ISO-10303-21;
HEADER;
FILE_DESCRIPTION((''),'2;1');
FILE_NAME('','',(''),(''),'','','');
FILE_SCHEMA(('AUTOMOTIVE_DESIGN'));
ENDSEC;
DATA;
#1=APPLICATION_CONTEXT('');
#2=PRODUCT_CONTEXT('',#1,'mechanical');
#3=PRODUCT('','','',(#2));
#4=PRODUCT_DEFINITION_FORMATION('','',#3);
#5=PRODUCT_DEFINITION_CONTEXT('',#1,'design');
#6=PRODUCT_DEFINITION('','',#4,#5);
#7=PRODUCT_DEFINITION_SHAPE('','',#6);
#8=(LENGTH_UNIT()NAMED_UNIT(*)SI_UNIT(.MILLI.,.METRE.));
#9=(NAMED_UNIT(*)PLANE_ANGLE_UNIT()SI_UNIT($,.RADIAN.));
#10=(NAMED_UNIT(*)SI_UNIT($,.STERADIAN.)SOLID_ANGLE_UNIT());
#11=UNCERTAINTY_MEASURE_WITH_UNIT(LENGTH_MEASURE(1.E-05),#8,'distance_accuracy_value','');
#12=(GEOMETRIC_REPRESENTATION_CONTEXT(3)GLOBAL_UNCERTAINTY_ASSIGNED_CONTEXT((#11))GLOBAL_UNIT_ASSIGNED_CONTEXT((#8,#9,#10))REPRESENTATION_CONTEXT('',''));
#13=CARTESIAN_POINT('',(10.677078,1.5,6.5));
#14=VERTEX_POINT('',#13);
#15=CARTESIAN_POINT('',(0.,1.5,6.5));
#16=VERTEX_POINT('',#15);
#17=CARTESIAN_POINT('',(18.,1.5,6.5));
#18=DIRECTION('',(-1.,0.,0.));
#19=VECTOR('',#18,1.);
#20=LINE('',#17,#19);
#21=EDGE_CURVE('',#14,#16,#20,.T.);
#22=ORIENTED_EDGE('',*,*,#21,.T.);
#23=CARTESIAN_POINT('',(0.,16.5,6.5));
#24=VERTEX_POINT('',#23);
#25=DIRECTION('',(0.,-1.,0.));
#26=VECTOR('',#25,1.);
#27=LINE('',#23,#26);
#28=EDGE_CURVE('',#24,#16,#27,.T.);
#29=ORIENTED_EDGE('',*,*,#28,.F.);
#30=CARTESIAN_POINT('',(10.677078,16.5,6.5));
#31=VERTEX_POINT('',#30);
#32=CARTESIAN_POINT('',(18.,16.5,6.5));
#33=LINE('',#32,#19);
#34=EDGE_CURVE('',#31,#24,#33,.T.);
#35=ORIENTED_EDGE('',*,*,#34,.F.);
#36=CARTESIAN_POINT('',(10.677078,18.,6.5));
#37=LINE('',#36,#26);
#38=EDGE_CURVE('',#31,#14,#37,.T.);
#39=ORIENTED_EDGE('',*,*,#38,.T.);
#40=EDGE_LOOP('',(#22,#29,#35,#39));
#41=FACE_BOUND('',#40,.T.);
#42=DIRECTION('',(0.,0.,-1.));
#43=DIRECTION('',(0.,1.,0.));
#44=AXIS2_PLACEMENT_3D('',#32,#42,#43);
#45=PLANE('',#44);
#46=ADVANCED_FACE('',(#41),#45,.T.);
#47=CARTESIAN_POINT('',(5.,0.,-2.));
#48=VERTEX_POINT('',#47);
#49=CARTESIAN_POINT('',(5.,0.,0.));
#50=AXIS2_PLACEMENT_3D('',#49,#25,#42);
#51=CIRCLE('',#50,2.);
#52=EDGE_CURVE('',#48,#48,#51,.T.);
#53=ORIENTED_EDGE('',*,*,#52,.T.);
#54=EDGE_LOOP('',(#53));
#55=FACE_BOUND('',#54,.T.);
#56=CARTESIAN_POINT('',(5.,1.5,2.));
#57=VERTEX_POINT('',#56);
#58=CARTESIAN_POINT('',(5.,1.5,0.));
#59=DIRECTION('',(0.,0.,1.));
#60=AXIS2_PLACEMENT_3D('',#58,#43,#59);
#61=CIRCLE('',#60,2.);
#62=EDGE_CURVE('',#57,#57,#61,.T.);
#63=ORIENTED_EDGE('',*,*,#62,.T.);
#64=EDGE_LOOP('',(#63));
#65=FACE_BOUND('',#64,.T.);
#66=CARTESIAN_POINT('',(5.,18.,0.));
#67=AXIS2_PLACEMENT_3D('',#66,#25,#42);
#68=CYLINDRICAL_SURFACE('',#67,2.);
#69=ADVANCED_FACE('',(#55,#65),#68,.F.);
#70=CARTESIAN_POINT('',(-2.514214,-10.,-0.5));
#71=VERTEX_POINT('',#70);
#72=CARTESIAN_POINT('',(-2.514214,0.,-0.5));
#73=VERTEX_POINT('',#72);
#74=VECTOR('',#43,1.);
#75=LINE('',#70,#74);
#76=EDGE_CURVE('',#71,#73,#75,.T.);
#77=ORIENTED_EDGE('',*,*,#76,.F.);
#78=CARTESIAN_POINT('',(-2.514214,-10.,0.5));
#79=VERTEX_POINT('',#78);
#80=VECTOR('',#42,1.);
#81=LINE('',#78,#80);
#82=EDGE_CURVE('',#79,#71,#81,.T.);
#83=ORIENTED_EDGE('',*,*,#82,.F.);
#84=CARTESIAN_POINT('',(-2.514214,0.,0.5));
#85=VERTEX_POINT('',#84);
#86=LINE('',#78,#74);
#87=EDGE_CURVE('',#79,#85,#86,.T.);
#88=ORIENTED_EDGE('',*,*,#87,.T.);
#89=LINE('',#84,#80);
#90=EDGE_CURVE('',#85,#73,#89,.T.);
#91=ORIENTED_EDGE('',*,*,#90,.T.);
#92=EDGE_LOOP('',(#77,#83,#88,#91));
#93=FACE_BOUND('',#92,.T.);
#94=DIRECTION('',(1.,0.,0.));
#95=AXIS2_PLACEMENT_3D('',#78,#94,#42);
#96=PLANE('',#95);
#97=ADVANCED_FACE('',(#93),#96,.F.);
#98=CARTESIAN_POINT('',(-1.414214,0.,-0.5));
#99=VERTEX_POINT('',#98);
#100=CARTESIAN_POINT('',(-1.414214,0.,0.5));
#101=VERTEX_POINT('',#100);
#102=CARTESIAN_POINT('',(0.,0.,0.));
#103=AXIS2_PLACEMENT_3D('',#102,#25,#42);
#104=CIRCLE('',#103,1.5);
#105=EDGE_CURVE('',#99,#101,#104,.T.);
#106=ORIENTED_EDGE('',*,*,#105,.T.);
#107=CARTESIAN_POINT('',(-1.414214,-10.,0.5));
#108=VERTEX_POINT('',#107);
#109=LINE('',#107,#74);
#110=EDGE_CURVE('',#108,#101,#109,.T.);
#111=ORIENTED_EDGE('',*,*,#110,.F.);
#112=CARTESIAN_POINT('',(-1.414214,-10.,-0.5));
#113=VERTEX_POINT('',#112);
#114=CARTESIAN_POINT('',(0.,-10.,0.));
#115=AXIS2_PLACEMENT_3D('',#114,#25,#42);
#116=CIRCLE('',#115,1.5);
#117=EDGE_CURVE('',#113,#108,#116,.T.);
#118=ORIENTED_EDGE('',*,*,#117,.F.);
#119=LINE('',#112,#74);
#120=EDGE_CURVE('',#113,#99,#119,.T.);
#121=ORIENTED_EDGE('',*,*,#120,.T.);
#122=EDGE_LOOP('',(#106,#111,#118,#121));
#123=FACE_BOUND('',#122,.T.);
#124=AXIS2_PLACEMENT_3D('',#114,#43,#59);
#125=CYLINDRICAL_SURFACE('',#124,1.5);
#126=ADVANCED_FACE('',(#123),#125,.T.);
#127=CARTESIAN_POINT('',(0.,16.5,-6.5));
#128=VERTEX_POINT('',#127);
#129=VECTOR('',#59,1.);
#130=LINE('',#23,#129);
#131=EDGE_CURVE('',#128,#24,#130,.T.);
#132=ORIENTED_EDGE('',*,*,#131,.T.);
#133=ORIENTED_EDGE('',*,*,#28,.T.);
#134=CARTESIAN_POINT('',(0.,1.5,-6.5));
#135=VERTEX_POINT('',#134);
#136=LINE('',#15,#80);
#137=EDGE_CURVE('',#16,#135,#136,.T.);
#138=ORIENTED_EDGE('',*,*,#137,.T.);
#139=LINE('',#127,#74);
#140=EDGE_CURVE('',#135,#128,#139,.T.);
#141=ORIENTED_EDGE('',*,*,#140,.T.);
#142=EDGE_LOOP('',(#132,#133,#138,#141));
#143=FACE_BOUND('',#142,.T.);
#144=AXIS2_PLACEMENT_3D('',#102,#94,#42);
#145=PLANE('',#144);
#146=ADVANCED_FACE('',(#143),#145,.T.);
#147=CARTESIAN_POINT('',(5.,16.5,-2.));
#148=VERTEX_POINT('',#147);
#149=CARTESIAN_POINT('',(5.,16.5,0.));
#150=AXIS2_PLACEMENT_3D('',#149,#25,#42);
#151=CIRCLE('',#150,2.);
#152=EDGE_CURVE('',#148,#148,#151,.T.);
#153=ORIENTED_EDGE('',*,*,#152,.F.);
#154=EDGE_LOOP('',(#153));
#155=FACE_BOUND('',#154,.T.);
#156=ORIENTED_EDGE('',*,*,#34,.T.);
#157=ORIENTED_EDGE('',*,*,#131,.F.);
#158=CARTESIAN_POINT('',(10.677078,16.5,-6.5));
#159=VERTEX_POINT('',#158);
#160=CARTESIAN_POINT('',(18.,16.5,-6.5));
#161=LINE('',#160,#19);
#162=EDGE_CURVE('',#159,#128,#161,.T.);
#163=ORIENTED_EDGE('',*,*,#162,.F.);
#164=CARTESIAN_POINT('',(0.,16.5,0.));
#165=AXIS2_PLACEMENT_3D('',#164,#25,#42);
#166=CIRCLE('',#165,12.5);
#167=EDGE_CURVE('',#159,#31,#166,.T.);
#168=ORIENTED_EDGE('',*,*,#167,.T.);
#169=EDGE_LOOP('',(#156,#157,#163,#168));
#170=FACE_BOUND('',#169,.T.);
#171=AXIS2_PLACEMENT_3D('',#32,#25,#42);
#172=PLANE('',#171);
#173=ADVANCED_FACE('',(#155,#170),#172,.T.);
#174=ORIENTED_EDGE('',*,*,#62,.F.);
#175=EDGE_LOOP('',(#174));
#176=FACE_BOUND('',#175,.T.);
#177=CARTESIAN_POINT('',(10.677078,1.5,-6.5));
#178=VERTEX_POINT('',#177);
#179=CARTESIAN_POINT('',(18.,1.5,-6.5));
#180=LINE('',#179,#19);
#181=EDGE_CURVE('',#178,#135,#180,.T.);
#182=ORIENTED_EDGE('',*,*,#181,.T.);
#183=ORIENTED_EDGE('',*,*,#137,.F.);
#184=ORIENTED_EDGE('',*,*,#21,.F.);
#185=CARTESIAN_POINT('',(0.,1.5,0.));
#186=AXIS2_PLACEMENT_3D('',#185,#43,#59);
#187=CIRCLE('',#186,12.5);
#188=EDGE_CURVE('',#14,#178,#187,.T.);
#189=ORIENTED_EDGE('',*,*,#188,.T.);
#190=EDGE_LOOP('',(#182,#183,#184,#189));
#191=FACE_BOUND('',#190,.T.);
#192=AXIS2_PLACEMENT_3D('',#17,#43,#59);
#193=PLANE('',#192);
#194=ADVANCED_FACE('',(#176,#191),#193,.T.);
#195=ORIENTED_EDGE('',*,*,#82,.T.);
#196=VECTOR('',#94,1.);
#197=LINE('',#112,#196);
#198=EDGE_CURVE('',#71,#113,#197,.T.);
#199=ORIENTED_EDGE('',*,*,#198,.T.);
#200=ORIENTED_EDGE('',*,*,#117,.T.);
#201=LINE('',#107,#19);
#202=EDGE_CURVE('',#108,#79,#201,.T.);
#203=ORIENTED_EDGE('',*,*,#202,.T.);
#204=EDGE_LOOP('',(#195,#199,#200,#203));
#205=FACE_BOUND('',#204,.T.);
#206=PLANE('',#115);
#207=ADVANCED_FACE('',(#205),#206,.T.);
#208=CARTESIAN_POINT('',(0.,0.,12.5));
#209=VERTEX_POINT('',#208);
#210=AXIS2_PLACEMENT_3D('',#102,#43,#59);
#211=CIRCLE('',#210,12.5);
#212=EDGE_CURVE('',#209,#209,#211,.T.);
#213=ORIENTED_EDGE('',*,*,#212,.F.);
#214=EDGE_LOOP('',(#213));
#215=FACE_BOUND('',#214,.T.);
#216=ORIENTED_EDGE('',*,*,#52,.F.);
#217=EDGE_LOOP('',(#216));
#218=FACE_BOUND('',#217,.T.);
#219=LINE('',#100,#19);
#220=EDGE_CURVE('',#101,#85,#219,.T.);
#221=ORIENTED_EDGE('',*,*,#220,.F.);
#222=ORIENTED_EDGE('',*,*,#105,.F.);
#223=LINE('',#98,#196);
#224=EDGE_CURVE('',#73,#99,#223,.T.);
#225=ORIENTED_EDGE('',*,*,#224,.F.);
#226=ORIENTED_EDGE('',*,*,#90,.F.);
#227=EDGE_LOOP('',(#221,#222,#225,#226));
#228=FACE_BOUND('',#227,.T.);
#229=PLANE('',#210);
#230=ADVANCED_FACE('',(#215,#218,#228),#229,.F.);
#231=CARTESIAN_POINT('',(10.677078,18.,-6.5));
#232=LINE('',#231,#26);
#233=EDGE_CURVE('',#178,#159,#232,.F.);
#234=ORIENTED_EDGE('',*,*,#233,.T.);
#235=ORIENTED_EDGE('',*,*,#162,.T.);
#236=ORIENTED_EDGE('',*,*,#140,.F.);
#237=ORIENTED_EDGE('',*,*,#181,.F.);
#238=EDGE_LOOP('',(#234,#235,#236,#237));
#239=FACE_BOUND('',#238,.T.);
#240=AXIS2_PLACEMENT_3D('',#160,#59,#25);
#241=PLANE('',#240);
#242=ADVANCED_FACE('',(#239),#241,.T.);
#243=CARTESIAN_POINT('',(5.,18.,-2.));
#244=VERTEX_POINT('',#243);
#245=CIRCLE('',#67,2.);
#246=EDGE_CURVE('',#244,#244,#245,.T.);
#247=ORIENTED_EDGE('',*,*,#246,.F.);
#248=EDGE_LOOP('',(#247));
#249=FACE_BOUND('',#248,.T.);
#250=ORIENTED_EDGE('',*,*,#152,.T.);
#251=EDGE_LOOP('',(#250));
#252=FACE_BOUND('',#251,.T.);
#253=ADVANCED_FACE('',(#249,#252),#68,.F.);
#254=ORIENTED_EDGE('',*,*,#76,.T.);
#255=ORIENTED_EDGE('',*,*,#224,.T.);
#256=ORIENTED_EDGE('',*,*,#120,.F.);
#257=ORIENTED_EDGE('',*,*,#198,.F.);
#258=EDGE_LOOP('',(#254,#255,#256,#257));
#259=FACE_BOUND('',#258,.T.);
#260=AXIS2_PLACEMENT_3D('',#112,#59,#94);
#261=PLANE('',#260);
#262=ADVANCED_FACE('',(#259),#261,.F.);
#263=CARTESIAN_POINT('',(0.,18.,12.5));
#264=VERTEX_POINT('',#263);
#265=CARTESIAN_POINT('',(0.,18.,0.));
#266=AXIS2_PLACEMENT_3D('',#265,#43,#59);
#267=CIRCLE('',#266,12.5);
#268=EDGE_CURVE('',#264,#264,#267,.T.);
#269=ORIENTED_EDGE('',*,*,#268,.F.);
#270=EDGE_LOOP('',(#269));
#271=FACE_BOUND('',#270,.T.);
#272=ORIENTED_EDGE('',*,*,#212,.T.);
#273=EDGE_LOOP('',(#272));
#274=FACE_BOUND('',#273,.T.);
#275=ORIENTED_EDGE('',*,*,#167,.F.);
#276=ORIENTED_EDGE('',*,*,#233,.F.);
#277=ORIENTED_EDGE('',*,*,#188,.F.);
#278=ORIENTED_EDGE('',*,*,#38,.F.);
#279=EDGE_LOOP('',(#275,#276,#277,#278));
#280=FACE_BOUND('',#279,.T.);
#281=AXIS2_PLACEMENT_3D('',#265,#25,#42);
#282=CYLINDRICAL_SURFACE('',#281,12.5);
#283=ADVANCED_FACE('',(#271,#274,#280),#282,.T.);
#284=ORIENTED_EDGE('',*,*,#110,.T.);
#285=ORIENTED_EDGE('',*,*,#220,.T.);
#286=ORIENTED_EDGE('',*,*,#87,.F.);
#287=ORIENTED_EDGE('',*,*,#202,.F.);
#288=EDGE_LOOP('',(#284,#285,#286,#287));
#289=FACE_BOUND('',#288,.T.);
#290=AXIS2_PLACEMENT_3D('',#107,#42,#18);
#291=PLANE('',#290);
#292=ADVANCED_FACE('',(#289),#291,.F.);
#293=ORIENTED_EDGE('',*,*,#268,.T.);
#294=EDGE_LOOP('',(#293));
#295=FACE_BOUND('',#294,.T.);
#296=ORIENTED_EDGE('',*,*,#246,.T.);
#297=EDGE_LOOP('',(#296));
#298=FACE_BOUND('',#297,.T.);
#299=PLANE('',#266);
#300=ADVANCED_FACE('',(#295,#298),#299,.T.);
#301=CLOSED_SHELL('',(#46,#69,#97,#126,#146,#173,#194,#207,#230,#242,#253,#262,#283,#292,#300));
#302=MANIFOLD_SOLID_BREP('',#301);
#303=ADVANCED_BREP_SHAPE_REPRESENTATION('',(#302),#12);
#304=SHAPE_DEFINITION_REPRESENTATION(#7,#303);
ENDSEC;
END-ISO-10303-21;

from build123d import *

# Parameters (mm, degrees)
SKETCH1_R           = 12.5
BOSS_EXTRUDE1_DEPTH = 18
SKETCH2_W           = 13
SKETCH2_H           = 15
CUT_EXTRUDE1_DEPTH  = 18
SKETCH3_R           = 2
SKETCH3_R_2         = 1
CUT_EXTRUDE2_DEPTH  = 26.228951623
BOSS_EXTRUDE2_DEPTH = 10


with BuildPart() as part:
    # Sketch1 → Boss-Extrude1 (new body)
    with BuildSketch(Plane(origin=(0, 0, 0), x_dir=(1, 0, 0), z_dir=(0, 1, 0))):
        with Locations(Location((0, 0, 0), (0, 0, 270))):
            Circle(SKETCH1_R)
    extrude(amount=BOSS_EXTRUDE1_DEPTH)

    # Sketch2 → Cut-Extrude1 (cut)
    with BuildSketch(Plane(origin=(0, 0, 0), x_dir=(0, 0, -1), z_dir=(1, 0, 0))):
        with Locations((0, 9)):
            Rectangle(SKETCH2_W, SKETCH2_H)
    extrude(amount=CUT_EXTRUDE1_DEPTH, mode=Mode.SUBTRACT)

    # Sketch3 → Cut-Extrude2 (cut, through all)
    # profile 1 of 2: a face of its own
    with BuildSketch(Plane.XZ):
        with Locations(Location((5, 0, 0), (0, 0, 270))):
            Circle(SKETCH3_R)
        with Locations((5, 0)):
            Circle(SKETCH3_R_2, mode=Mode.SUBTRACT)
    # profile 2 of 2: a face of its own
    with BuildSketch(Plane.XZ):
        with Locations((5, 0)):
            Circle(SKETCH3_R_2)
    extrude(amount=-CUT_EXTRUDE2_DEPTH, mode=Mode.SUBTRACT)

    # Sketch5 → Boss-Extrude2 (add)
    with BuildSketch(Plane.XZ):
        with BuildLine():
            Line((-1.414213562, 0.5), (-2.514213562, 0.5))
            Line((-2.514213562, 0.5), (-2.514213562, -0.5))
            Line((-2.514213562, -0.5), (-1.414213562, -0.5))
            ThreePointArc((-1.414213562, -0.5), (1.5, 0), (-1.414213562, 0.5))
        make_face()
    extrude(amount=BOSS_EXTRUDE2_DEPTH)


solid = part.part
